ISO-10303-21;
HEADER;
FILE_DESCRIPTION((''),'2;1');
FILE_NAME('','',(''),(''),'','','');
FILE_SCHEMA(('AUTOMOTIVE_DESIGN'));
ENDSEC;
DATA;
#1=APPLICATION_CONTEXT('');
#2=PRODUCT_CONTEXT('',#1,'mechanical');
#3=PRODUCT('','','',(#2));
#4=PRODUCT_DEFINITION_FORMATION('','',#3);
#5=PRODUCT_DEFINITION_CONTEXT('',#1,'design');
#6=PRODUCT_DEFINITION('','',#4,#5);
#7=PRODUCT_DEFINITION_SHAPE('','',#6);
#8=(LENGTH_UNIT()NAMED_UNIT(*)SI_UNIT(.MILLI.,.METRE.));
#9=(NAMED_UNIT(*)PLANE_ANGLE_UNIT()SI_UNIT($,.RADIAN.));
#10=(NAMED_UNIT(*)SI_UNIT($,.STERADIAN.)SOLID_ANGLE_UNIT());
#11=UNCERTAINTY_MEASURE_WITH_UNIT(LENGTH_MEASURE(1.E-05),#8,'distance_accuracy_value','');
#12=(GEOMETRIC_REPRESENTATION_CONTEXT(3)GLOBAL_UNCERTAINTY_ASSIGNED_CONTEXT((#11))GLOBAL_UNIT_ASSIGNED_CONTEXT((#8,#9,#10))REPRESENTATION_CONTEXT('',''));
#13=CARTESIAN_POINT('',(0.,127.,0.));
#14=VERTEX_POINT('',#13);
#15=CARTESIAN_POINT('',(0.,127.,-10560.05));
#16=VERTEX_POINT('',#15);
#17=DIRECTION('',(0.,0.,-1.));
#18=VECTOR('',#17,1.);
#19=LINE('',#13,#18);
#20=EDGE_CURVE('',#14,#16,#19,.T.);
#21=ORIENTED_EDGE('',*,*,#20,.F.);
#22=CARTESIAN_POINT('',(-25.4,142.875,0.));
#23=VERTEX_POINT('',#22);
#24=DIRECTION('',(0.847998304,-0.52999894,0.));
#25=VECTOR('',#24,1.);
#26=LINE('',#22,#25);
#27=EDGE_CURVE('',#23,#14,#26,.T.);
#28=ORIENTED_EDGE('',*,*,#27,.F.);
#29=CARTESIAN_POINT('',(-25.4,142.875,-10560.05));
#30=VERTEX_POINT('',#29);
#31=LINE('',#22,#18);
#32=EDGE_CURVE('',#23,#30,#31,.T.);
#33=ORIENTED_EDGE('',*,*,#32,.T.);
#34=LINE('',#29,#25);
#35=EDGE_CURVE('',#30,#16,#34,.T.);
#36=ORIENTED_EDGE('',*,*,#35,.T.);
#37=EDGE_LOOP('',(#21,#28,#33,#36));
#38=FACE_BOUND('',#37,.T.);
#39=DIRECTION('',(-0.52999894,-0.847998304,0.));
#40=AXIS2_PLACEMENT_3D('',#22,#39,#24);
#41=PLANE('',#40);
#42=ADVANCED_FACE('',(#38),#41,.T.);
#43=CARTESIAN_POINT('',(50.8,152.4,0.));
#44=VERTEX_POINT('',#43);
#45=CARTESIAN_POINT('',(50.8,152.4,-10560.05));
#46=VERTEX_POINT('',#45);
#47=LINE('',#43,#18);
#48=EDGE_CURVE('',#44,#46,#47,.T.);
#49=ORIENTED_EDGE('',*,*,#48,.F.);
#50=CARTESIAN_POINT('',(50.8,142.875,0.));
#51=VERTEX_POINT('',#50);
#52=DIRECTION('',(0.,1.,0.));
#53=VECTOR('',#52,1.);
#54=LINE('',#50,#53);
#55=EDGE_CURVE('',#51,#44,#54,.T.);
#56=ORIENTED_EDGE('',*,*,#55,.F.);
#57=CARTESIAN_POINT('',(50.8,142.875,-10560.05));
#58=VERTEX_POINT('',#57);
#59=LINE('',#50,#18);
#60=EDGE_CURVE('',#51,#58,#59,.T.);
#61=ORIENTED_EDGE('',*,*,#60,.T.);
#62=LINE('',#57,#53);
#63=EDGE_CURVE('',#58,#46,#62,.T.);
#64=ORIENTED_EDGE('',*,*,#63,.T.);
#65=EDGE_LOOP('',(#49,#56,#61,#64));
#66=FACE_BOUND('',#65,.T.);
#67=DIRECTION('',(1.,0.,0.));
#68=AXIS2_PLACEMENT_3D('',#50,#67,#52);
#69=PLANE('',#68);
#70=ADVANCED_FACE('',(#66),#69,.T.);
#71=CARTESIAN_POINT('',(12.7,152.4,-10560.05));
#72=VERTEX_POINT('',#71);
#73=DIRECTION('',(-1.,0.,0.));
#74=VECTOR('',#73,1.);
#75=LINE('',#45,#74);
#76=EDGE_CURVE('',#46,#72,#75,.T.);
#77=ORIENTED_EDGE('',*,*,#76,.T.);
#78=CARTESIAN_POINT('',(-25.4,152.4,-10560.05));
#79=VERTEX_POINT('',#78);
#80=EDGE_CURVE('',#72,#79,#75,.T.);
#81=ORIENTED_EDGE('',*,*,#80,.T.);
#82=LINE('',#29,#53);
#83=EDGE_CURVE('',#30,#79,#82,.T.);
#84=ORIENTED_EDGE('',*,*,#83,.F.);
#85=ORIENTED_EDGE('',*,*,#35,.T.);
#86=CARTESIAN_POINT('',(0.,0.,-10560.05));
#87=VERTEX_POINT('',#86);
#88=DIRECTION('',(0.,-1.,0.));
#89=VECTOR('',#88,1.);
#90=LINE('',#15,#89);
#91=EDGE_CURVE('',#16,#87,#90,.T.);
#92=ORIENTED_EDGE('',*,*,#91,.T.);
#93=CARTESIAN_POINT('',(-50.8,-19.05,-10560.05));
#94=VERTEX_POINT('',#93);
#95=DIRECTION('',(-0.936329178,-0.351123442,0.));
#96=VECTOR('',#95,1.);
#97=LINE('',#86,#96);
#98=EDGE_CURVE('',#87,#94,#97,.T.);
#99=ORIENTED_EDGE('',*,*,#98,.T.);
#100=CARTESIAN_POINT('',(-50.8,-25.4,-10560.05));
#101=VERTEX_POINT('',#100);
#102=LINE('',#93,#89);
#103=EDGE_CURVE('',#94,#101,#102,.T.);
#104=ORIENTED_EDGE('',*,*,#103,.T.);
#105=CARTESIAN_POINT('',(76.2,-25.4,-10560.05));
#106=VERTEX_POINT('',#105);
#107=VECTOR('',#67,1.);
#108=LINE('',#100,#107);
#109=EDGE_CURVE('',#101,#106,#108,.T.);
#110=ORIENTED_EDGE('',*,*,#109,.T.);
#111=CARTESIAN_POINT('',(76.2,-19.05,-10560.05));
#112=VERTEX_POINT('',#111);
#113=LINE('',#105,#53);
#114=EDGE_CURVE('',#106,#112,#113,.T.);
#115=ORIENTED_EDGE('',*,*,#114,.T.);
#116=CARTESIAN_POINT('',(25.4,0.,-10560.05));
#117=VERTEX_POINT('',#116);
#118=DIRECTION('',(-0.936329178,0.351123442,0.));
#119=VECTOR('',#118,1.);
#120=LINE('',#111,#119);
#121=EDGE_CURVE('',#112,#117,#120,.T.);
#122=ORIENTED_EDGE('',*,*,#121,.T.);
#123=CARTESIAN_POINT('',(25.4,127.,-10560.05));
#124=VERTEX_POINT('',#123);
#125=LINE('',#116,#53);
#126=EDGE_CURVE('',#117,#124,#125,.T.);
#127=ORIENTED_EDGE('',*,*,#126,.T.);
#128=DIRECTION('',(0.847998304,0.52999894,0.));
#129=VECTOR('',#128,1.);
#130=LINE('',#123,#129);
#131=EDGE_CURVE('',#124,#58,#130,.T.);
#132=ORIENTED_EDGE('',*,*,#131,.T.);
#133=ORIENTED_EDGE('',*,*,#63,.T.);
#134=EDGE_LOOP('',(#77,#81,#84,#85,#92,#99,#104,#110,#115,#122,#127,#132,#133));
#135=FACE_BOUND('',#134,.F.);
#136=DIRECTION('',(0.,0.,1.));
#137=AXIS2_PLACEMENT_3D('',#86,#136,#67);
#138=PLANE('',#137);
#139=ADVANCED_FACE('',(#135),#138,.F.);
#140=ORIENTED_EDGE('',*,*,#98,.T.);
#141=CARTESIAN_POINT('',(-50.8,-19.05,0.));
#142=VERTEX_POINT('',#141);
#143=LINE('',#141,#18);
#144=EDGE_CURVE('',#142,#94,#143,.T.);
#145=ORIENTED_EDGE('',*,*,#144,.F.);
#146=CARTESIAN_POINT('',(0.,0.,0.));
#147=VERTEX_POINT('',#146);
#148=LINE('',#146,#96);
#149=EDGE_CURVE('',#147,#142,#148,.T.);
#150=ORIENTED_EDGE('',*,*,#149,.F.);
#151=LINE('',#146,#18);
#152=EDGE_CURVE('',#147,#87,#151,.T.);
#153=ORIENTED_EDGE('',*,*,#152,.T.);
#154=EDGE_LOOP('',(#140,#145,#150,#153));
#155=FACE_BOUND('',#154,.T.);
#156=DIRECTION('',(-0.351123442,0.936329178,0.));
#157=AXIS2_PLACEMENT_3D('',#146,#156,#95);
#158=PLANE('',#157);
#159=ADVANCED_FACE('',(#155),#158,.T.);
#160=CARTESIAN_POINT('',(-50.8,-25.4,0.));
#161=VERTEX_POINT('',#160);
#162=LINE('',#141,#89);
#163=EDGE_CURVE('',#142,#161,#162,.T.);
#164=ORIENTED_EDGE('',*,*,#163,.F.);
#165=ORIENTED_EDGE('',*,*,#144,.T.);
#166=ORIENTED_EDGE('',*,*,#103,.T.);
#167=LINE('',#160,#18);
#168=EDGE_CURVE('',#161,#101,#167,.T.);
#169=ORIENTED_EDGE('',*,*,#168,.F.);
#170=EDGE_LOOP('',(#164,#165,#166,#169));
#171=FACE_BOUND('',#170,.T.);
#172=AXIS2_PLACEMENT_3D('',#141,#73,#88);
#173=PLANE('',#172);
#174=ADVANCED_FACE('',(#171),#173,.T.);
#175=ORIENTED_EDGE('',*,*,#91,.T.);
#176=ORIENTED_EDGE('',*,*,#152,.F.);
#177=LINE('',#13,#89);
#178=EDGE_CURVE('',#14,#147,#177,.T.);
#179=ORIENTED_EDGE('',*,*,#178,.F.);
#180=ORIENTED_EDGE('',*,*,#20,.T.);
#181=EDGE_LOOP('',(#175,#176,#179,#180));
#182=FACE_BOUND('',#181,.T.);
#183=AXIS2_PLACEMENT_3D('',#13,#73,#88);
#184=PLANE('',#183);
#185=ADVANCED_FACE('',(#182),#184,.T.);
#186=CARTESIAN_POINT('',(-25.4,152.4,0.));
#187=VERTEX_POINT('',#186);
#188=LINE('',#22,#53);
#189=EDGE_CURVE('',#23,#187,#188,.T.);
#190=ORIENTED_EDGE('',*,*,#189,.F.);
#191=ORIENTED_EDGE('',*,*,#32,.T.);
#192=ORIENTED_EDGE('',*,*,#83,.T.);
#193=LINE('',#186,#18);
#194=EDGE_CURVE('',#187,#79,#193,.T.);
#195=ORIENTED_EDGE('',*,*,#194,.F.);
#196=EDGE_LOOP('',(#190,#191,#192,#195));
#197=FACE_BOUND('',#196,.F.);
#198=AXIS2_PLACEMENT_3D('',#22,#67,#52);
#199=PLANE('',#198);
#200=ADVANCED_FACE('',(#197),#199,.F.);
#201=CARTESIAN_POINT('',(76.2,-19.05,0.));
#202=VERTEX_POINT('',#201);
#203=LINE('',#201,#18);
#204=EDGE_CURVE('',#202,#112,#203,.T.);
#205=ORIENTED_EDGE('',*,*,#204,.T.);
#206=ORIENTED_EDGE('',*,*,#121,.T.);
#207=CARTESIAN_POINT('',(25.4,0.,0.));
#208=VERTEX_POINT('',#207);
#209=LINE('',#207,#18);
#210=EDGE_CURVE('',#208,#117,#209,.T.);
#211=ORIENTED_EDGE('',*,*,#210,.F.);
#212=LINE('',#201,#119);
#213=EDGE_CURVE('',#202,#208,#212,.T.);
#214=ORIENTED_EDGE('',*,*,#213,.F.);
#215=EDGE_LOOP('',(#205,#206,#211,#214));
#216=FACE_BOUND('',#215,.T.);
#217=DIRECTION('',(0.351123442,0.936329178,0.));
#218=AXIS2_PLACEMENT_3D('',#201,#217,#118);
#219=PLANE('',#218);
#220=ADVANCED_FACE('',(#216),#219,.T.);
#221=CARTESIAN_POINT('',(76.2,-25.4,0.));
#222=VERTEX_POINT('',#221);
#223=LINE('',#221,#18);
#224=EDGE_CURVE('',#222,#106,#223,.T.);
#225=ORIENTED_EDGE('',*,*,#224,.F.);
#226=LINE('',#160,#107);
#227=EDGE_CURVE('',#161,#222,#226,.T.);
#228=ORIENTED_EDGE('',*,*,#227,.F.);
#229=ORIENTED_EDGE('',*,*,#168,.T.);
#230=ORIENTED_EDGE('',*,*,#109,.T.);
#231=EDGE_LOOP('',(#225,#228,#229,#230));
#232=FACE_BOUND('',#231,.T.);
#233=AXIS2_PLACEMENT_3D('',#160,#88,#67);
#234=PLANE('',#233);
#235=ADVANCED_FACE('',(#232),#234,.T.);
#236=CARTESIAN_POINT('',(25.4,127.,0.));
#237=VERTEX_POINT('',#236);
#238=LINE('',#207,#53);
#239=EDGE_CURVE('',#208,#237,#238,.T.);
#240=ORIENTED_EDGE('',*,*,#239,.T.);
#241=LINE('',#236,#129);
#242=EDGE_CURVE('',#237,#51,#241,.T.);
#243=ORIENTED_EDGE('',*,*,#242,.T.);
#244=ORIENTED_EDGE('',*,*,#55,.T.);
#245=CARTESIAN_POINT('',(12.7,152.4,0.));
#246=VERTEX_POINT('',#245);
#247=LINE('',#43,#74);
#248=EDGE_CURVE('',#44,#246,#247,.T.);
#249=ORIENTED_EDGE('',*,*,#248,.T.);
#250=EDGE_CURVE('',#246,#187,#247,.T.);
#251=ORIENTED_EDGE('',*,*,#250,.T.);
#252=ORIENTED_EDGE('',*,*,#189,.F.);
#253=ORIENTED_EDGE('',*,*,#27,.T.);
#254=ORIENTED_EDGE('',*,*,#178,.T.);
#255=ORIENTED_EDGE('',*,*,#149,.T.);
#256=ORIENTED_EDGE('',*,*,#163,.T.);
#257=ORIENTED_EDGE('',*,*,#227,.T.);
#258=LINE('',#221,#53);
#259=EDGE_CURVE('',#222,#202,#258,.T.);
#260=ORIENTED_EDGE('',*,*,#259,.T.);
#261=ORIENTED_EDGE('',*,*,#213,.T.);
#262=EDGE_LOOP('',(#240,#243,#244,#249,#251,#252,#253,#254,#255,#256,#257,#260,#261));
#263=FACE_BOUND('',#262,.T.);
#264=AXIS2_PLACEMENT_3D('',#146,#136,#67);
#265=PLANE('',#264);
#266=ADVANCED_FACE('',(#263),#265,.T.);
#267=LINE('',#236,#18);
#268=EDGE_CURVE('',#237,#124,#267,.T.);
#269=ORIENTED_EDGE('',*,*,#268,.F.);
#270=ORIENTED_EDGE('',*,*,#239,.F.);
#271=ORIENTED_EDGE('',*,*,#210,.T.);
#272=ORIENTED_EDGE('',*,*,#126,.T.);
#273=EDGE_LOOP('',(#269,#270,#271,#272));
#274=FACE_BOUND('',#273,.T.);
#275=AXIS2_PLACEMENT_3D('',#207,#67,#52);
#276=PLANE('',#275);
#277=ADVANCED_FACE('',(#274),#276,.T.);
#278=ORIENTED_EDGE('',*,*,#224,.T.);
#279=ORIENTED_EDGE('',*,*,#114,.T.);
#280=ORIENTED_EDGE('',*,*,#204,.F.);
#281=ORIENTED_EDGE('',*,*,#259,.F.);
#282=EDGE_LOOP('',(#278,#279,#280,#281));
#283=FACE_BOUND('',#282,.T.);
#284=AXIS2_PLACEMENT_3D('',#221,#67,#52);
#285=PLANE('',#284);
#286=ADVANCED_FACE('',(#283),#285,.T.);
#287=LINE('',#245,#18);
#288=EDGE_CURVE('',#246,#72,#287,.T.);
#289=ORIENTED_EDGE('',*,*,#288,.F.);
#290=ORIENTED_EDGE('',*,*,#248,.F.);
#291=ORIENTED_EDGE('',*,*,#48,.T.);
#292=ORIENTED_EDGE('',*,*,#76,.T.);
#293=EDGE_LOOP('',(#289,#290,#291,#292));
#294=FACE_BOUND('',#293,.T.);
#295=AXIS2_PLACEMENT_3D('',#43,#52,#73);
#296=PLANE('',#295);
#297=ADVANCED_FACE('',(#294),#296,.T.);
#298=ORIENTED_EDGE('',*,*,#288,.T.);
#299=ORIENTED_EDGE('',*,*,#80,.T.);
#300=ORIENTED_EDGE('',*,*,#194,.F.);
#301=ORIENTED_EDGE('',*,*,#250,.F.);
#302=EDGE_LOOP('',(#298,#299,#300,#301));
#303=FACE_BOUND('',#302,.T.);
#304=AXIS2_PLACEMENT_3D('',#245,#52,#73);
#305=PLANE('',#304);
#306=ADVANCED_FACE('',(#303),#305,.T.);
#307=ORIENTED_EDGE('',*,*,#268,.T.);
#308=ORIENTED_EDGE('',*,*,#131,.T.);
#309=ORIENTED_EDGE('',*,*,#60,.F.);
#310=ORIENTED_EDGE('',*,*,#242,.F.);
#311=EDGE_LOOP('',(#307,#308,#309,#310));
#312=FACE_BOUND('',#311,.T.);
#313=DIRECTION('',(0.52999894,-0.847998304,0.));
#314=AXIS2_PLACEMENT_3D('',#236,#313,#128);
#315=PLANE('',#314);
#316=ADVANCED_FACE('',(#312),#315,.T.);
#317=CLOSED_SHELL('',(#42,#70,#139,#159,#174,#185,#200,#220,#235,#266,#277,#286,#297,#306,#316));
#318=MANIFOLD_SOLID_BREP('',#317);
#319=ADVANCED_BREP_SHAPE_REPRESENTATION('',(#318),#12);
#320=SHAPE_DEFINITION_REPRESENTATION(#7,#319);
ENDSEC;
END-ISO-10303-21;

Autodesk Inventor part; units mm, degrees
ref_plane "YZ Plane" through (0, 0, 0) normal (1, 0, 0) x (0, 1, 0)
ref_plane "XZ Plane" through (0, 0, 0) normal (0, 1, 0) x (-1, 0, 0)
ref_plane "XY Plane" through (0, 0, 0) normal (0, 0, 1) x (1, 0, 0)
sketch "Sketch1" plane through (0, 0, 0) normal (0, 0, 1) x (1, 0, 0)
  line L0 (0, 0) -> (-50.8, -19.05)
  line L1 (76.2, -19.05) -> (25.4, 0)
  line L2 (25.4, 0) -> (25.4, 127)
  line L3 (25.4, 127) -> (50.8, 142.875)
  line L4 (-25.4, 142.875) -> (0, 127)
  line L5 (0, 127) -> (0, 0)
  line L6 (0, 0) -> (25.4, 0) construction
  line L7 (0, 127) -> (25.4, 127) construction
  line L8 (12.7, 0) -> (12.7, 127) construction
  line L9 (-50.8, -19.05) -> (-50.8, -25.4)
  line L10 (-50.8, -25.4) -> (76.2, -25.4)
  line L11 (76.2, -25.4) -> (76.2, -19.05)
  line L12 (50.8, 142.875) -> (50.8, 152.4)
  line L13 (50.8, 152.4) -> (-25.4, 152.4)
  line L14 (-25.4, 142.875) -> (50.8, 142.875) construction
  line L15 (-50.8, -19.05) -> (76.2, -19.05) construction
  line L16 (-25.4, 142.875) -> (-25.4, 152.4)
  line L17 (0, 0) -> (12.7, 0) construction
  line L18 (12.7, 0) -> (12.7, 152.4) construction
  line L19 (12.7, 152.4) -> (50.8, 152.4)
  dimension "d1" = 127
  dimension "d2" = 15.875
  dimension "d3" = 25.4
  dimension "d4" = 6.35
  dimension "d8" = 50.8
  dimension "d9" = 50.8
  dimension "d10" = 25.4
  dimension "d11" = 127
  dimension "d12" = 25.4
  dimension "d13" = 177.8
  dimension "d14" = 25.4
  dimension "d17" = 12.7
extrude "Extrusion1" add sketch "Sketch1" against normal blind 10560.05
properties part number "Long I-Beam" material "Steel ASTM A36"
